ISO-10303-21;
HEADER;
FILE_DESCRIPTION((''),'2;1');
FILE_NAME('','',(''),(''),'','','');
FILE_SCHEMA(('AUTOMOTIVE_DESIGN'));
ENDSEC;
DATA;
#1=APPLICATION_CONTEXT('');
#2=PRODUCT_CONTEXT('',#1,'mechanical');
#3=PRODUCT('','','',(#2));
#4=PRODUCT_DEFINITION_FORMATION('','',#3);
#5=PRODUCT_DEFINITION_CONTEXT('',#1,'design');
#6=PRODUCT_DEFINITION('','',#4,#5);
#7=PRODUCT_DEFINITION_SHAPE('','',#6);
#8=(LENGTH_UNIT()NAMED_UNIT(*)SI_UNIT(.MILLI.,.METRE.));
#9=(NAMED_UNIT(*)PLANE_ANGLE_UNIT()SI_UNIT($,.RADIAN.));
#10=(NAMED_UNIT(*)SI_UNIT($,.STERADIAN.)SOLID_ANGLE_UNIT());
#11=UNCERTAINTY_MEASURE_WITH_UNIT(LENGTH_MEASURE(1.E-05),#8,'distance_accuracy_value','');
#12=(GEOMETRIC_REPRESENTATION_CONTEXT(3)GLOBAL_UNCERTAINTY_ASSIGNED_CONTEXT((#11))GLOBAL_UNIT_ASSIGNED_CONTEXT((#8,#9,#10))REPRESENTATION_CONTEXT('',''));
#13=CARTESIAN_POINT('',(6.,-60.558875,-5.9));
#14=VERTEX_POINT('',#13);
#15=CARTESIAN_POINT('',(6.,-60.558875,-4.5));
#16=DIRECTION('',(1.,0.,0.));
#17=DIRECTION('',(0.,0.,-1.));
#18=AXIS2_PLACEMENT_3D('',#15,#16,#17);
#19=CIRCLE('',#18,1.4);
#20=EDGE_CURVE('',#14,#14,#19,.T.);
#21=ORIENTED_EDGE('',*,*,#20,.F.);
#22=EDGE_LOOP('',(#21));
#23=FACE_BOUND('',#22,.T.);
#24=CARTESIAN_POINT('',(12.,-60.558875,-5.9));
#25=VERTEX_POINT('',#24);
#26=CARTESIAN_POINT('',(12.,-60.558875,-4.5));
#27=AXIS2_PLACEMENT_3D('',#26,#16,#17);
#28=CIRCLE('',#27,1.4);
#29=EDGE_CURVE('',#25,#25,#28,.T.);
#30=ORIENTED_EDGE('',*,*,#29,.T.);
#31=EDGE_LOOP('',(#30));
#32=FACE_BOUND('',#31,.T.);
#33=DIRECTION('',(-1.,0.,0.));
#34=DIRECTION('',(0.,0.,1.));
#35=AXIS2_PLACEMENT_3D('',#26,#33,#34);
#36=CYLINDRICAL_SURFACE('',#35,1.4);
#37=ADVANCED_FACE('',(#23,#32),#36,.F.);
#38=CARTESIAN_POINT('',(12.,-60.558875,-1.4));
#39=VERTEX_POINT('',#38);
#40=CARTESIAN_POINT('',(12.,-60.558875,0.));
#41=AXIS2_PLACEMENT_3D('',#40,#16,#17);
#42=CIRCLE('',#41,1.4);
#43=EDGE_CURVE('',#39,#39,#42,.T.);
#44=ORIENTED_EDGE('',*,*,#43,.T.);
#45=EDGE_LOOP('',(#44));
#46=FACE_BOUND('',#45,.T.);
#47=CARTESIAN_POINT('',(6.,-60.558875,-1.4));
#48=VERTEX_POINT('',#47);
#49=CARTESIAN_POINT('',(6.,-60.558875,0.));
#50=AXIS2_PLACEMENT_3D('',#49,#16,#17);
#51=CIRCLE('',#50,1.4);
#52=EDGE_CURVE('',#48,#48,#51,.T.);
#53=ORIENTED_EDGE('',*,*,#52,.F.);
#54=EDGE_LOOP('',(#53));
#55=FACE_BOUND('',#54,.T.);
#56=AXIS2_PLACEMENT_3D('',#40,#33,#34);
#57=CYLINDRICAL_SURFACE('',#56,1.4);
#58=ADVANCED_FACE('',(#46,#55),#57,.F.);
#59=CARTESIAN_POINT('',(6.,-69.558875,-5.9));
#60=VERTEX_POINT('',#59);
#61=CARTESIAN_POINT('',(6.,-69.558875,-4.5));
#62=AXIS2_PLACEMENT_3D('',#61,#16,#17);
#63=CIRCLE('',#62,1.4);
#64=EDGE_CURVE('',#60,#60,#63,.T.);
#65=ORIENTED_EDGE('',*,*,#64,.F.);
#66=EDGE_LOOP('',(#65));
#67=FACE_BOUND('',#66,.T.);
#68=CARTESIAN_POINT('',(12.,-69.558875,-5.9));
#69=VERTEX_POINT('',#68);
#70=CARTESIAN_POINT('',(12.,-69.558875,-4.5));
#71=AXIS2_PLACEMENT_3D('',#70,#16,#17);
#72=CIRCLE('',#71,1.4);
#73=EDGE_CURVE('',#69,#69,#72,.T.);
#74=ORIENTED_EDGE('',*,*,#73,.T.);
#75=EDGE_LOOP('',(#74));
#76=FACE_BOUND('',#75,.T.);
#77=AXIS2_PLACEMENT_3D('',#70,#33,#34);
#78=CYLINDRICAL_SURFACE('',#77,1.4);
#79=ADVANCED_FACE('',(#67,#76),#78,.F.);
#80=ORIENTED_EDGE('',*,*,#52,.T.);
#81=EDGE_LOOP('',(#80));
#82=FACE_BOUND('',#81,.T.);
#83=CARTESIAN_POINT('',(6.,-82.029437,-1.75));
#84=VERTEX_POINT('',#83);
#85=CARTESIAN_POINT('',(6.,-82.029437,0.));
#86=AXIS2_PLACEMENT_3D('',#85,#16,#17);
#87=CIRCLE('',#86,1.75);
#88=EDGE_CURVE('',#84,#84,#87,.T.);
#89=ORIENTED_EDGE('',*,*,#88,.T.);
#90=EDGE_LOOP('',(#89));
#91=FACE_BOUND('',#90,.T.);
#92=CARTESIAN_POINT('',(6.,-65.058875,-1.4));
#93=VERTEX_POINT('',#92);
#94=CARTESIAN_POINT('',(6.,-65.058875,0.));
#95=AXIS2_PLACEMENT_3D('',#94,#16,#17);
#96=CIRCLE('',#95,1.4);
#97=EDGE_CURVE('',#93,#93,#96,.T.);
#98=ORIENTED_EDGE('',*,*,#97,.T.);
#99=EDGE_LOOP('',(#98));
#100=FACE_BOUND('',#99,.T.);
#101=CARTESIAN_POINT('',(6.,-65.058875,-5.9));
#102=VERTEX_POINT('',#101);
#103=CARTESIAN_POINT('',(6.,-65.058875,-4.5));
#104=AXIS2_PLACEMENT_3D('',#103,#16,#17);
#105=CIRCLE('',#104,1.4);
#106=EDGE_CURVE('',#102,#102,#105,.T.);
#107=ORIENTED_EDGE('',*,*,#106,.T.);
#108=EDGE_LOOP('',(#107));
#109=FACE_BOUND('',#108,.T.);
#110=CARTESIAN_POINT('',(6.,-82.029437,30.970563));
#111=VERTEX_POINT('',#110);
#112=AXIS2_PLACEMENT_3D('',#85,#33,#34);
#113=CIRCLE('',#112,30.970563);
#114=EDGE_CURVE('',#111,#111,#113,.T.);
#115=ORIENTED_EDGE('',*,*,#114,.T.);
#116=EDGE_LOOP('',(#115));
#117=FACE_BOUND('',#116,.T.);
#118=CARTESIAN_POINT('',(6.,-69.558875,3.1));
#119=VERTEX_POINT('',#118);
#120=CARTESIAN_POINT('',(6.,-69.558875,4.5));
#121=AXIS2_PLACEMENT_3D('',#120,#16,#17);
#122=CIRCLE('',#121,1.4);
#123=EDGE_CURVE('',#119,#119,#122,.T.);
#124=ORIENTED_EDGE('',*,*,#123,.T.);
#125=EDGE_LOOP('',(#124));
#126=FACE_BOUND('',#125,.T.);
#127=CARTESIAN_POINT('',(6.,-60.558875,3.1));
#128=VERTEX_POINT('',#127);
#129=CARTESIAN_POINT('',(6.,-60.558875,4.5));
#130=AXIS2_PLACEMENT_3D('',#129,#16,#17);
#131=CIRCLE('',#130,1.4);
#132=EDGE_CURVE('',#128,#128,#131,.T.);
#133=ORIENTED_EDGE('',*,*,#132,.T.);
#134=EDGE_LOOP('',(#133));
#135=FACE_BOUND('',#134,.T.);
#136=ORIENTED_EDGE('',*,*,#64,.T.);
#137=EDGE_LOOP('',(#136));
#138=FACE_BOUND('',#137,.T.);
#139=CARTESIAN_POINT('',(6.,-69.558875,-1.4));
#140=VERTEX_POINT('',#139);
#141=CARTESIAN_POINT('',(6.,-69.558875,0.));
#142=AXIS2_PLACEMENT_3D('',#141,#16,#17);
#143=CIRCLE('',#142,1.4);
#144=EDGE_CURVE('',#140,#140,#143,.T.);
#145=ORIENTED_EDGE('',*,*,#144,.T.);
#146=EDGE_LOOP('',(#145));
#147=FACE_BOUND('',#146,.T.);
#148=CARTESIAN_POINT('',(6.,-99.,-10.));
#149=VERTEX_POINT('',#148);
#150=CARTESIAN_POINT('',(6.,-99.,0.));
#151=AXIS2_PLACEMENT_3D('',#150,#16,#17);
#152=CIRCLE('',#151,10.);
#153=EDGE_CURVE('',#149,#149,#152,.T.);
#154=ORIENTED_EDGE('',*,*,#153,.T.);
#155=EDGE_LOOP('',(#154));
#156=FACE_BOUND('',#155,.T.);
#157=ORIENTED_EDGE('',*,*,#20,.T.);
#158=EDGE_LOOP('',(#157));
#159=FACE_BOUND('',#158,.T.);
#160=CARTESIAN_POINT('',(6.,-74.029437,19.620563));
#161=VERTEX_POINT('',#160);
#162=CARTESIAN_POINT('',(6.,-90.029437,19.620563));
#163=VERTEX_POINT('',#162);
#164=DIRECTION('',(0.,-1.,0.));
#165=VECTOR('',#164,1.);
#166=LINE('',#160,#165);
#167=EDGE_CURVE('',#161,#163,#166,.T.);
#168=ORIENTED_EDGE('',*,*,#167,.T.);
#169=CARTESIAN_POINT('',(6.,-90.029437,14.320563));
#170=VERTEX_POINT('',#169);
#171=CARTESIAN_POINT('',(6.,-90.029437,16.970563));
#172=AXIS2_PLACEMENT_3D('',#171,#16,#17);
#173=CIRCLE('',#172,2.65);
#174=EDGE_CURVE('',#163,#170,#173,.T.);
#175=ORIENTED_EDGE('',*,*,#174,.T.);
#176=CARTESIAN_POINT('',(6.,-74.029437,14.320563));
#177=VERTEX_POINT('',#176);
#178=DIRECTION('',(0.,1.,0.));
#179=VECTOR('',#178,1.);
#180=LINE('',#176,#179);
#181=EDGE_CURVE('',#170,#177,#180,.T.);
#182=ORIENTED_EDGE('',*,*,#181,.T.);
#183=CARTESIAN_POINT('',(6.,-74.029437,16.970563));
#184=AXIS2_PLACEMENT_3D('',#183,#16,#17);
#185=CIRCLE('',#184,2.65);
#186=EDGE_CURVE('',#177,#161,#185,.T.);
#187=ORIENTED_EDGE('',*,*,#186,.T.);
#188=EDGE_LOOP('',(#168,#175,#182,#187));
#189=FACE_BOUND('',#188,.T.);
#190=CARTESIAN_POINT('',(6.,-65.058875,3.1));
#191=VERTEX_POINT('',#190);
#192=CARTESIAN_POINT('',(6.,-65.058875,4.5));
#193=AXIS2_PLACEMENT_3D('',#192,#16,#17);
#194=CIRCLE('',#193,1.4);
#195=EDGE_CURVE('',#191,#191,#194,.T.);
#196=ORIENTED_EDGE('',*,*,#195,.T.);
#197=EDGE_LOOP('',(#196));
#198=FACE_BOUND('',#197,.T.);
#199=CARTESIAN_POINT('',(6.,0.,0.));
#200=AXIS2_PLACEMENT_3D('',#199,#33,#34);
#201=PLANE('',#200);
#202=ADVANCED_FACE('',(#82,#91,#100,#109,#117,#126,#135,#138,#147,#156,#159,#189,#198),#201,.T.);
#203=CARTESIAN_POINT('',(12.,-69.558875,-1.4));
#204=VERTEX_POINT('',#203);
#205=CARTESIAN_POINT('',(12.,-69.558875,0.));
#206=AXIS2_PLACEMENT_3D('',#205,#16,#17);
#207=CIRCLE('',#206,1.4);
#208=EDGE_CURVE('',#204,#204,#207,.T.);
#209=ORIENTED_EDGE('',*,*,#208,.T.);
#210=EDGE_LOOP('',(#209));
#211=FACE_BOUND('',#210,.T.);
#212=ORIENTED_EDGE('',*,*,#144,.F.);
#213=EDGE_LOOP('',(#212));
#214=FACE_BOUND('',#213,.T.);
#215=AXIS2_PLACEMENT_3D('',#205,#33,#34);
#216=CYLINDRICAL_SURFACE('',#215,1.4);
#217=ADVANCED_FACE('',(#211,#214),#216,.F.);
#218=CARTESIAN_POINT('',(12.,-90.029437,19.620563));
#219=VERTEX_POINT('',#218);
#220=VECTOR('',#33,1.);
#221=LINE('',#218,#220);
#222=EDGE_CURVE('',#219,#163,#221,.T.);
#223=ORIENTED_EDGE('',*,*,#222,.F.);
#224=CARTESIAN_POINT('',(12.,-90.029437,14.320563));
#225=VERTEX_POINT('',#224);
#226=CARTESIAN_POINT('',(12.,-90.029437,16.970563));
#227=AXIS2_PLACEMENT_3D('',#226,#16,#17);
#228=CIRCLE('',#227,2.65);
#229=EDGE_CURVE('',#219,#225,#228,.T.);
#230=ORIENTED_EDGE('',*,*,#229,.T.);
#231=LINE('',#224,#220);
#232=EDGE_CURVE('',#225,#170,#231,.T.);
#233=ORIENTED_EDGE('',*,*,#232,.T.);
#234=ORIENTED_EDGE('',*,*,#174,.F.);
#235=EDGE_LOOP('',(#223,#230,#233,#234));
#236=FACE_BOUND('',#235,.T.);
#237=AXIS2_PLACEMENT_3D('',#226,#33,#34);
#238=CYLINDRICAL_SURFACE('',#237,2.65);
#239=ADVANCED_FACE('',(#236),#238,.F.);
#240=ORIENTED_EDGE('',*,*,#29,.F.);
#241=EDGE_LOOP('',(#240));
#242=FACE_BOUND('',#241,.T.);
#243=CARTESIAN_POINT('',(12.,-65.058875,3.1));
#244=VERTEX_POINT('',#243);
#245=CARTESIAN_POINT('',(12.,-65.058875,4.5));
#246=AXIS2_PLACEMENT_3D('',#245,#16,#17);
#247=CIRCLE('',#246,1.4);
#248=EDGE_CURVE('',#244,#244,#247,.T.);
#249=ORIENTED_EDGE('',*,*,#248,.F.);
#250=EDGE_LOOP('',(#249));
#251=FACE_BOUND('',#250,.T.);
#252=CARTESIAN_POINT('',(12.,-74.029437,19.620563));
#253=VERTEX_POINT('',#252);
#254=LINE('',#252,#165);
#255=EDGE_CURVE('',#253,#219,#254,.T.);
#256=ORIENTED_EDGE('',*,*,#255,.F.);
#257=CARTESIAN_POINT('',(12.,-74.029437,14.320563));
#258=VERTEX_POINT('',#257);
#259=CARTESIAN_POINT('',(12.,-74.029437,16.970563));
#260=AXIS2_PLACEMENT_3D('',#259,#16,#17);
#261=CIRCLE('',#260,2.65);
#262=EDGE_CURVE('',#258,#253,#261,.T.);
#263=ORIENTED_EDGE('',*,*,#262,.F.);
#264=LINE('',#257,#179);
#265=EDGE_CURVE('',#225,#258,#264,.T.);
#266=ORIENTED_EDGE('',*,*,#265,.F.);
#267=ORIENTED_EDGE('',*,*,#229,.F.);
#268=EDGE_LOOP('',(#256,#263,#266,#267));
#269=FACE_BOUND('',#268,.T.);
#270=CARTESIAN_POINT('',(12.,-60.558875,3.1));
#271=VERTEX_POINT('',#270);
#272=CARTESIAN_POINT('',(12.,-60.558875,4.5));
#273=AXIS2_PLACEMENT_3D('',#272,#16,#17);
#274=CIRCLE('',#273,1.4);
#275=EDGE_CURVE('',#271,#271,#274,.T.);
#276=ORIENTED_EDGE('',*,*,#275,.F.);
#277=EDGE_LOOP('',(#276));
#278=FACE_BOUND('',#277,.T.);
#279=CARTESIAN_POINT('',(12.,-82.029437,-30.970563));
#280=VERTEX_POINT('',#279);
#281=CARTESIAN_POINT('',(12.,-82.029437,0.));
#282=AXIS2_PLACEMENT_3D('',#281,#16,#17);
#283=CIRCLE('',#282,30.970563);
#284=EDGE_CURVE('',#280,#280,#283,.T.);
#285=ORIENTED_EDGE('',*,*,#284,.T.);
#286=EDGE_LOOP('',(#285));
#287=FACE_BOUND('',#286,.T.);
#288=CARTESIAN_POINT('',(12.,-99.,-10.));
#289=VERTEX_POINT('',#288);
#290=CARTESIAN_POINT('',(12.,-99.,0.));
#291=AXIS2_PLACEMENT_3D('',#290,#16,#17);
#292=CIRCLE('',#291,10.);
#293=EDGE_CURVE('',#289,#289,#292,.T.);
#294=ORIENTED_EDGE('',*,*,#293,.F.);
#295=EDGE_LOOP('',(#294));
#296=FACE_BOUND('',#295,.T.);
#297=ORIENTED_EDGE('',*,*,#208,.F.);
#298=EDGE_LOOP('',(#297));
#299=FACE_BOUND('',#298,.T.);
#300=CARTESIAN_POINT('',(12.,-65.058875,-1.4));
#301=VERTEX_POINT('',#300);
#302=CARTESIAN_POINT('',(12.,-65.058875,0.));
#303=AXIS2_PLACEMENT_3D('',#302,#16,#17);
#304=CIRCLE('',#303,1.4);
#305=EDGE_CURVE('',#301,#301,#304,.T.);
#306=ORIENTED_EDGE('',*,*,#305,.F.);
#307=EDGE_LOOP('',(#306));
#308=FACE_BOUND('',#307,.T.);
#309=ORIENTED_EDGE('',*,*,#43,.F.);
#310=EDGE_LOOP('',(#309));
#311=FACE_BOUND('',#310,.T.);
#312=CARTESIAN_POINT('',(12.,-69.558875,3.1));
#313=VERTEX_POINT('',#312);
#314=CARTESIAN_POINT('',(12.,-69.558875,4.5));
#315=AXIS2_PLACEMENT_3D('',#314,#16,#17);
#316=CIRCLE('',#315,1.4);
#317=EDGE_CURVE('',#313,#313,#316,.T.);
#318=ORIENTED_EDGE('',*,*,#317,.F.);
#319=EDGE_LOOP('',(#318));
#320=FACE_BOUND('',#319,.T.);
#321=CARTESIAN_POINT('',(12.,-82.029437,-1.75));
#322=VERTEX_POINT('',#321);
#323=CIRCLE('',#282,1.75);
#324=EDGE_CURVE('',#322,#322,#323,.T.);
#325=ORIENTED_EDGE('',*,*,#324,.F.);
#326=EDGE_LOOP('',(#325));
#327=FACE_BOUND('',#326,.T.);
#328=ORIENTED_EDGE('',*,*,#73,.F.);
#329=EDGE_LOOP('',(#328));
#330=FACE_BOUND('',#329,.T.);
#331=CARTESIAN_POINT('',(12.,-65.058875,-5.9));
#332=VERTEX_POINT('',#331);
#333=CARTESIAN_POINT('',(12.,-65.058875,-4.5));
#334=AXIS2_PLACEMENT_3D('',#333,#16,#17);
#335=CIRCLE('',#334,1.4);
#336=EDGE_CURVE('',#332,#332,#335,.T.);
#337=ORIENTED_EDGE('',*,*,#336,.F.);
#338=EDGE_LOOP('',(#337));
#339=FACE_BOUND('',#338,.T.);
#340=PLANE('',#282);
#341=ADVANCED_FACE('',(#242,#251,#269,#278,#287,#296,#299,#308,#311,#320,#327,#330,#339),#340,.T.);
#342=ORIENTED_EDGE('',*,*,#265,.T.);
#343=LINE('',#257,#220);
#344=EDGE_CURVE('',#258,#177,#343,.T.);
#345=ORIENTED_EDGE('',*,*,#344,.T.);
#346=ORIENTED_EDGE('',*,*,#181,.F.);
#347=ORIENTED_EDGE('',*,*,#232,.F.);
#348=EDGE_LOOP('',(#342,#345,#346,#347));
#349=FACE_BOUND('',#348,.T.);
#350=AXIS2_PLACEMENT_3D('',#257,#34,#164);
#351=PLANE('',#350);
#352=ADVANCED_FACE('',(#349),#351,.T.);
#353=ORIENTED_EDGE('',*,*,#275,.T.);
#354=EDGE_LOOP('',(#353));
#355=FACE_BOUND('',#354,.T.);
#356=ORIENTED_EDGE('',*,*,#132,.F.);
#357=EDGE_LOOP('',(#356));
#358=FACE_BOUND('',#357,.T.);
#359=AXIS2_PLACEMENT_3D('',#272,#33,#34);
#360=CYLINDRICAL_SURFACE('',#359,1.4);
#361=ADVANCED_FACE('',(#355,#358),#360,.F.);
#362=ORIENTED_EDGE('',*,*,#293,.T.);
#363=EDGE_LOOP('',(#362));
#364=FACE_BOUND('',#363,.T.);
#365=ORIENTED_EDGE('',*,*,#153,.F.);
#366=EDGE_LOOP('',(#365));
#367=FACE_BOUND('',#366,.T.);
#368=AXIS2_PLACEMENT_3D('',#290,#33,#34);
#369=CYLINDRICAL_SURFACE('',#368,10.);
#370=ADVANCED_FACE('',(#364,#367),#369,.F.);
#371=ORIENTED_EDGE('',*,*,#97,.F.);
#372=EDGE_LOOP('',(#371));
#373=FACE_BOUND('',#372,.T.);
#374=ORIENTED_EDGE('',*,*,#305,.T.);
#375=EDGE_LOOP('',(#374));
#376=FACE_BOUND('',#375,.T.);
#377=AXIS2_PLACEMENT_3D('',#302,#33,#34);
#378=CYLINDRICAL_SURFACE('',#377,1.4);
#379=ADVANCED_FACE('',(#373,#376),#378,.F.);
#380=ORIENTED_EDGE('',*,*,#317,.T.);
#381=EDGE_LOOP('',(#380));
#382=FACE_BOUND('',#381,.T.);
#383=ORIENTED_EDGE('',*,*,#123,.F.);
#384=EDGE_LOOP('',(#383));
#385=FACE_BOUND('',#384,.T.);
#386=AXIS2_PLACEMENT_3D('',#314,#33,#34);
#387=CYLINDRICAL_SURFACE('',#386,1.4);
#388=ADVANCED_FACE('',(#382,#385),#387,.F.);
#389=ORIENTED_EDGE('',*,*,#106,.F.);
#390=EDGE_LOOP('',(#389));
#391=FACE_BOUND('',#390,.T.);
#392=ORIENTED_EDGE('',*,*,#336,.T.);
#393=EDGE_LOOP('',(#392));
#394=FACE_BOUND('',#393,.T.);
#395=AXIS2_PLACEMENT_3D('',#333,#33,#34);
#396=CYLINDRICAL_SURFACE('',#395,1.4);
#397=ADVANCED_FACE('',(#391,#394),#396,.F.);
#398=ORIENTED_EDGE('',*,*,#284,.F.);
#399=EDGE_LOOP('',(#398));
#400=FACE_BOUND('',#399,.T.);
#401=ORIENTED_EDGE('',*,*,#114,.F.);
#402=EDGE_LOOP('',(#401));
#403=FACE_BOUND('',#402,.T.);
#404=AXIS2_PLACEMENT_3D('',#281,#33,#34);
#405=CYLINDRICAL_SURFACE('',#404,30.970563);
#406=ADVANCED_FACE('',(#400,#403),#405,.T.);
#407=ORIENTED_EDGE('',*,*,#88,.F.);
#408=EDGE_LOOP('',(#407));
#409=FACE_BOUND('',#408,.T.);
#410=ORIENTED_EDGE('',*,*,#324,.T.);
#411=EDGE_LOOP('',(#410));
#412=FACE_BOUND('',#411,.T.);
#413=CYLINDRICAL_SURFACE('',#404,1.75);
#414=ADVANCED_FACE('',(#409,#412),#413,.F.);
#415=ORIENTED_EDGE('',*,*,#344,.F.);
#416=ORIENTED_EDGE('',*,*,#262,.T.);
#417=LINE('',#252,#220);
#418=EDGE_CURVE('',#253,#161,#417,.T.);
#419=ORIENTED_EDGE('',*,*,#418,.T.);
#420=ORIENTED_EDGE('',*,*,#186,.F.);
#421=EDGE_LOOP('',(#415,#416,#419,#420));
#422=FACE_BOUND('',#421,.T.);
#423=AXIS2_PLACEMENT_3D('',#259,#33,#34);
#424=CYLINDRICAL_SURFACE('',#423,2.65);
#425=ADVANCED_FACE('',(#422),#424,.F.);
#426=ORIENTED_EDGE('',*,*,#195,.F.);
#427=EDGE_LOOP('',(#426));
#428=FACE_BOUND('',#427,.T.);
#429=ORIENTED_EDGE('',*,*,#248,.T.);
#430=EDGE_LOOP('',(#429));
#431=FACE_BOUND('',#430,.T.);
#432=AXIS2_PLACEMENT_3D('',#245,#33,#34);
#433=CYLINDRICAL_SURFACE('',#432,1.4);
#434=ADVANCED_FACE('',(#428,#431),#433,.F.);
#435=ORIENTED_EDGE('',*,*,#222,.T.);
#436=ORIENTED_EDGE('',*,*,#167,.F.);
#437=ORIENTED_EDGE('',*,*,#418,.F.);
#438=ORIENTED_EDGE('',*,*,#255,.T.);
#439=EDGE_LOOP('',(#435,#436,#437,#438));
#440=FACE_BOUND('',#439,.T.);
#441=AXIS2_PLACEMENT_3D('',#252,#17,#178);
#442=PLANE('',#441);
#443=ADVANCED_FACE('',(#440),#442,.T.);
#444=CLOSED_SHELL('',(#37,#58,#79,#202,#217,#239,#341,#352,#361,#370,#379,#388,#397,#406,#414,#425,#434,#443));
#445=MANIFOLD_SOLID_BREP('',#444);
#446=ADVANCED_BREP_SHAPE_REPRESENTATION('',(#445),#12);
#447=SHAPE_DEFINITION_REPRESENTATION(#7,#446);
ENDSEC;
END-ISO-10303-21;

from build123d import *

# Parameters (mm, degrees)
SKETCH1_W           = 112.5
SKETCH1_H           = 238
BOSS_EXTRUDE1_DEPTH = 6
SKETCH2_R           = 30.970562748
SKETCH2_R_2         = 10
SKETCH2_R_3         = 1.4
SKETCH2_R_4         = 1.75
BOSS_EXTRUDE2_DEPTH = 6
SKETCH3_W           = 112.5
SKETCH3_H           = 238
CUT_EXTRUDE1_DEPTH  = 6


with BuildPart() as part:
    # Sketch1 → Boss-Extrude1 (new body)
    with BuildSketch(Plane(origin=(0, 0, 0), x_dir=(0, 0, -1), z_dir=(1, 0, 0))):
        Rectangle(SKETCH1_W, SKETCH1_H)
    extrude(amount=BOSS_EXTRUDE1_DEPTH)

    # Sketch2 → Boss-Extrude2 (add)
    with BuildSketch(Plane(origin=(6, 0, 0), x_dir=(0, 0, -1), z_dir=(1, 0, 0))):
        with Locations((0, -82.029437252)):
            Circle(SKETCH2_R)
        with Locations((0, -99)):
            Circle(SKETCH2_R_2, mode=Mode.SUBTRACT)
        with Locations((-4.5, -60.558874503)):
            Circle(SKETCH2_R_3, mode=Mode.SUBTRACT)
        with Locations((0, -60.558874503)):
            Circle(SKETCH2_R_3, mode=Mode.SUBTRACT)
        with Locations((4.5, -60.558874503)):
            Circle(SKETCH2_R_3, mode=Mode.SUBTRACT)
        with Locations((0, -65.058874503)):
            Circle(SKETCH2_R_3, mode=Mode.SUBTRACT)
        with Locations((4.5, -65.058874503)):
            Circle(SKETCH2_R_3, mode=Mode.SUBTRACT)
        with Locations((0, -69.558874503)):
            Circle(SKETCH2_R_3, mode=Mode.SUBTRACT)
        with Locations((4.5, -69.558874503)):
            Circle(SKETCH2_R_3, mode=Mode.SUBTRACT)
        with Locations((-4.5, -65.058874503)):
            Circle(SKETCH2_R_3, mode=Mode.SUBTRACT)
        with Locations((-4.5, -69.558874503)):
            Circle(SKETCH2_R_3, mode=Mode.SUBTRACT)
        with Locations((0, -82.029437252)):
            Circle(SKETCH2_R_4, mode=Mode.SUBTRACT)
        with BuildLine():
            Line((-14.320562748, -74.029437252), (-14.320562748, -90.029437252))
            ThreePointArc((-14.320562748, -90.029437252), (-16.970562748, -92.679437252), (-19.620562748, -90.029437252))
            Line((-19.620562748, -90.029437252), (-19.620562748, -74.029437252))
            ThreePointArc((-19.620562748, -74.029437252), (-16.970562748, -71.379437252), (-14.320562748, -74.029437252))
        make_face(mode=Mode.SUBTRACT)
    extrude(amount=BOSS_EXTRUDE2_DEPTH)

    # Sketch3 → Cut-Extrude1 (cut)
    with BuildSketch(Plane.ZY):
        Rectangle(SKETCH3_W, SKETCH3_H)
    extrude(amount=-CUT_EXTRUDE1_DEPTH, mode=Mode.SUBTRACT)


solid = part.part
